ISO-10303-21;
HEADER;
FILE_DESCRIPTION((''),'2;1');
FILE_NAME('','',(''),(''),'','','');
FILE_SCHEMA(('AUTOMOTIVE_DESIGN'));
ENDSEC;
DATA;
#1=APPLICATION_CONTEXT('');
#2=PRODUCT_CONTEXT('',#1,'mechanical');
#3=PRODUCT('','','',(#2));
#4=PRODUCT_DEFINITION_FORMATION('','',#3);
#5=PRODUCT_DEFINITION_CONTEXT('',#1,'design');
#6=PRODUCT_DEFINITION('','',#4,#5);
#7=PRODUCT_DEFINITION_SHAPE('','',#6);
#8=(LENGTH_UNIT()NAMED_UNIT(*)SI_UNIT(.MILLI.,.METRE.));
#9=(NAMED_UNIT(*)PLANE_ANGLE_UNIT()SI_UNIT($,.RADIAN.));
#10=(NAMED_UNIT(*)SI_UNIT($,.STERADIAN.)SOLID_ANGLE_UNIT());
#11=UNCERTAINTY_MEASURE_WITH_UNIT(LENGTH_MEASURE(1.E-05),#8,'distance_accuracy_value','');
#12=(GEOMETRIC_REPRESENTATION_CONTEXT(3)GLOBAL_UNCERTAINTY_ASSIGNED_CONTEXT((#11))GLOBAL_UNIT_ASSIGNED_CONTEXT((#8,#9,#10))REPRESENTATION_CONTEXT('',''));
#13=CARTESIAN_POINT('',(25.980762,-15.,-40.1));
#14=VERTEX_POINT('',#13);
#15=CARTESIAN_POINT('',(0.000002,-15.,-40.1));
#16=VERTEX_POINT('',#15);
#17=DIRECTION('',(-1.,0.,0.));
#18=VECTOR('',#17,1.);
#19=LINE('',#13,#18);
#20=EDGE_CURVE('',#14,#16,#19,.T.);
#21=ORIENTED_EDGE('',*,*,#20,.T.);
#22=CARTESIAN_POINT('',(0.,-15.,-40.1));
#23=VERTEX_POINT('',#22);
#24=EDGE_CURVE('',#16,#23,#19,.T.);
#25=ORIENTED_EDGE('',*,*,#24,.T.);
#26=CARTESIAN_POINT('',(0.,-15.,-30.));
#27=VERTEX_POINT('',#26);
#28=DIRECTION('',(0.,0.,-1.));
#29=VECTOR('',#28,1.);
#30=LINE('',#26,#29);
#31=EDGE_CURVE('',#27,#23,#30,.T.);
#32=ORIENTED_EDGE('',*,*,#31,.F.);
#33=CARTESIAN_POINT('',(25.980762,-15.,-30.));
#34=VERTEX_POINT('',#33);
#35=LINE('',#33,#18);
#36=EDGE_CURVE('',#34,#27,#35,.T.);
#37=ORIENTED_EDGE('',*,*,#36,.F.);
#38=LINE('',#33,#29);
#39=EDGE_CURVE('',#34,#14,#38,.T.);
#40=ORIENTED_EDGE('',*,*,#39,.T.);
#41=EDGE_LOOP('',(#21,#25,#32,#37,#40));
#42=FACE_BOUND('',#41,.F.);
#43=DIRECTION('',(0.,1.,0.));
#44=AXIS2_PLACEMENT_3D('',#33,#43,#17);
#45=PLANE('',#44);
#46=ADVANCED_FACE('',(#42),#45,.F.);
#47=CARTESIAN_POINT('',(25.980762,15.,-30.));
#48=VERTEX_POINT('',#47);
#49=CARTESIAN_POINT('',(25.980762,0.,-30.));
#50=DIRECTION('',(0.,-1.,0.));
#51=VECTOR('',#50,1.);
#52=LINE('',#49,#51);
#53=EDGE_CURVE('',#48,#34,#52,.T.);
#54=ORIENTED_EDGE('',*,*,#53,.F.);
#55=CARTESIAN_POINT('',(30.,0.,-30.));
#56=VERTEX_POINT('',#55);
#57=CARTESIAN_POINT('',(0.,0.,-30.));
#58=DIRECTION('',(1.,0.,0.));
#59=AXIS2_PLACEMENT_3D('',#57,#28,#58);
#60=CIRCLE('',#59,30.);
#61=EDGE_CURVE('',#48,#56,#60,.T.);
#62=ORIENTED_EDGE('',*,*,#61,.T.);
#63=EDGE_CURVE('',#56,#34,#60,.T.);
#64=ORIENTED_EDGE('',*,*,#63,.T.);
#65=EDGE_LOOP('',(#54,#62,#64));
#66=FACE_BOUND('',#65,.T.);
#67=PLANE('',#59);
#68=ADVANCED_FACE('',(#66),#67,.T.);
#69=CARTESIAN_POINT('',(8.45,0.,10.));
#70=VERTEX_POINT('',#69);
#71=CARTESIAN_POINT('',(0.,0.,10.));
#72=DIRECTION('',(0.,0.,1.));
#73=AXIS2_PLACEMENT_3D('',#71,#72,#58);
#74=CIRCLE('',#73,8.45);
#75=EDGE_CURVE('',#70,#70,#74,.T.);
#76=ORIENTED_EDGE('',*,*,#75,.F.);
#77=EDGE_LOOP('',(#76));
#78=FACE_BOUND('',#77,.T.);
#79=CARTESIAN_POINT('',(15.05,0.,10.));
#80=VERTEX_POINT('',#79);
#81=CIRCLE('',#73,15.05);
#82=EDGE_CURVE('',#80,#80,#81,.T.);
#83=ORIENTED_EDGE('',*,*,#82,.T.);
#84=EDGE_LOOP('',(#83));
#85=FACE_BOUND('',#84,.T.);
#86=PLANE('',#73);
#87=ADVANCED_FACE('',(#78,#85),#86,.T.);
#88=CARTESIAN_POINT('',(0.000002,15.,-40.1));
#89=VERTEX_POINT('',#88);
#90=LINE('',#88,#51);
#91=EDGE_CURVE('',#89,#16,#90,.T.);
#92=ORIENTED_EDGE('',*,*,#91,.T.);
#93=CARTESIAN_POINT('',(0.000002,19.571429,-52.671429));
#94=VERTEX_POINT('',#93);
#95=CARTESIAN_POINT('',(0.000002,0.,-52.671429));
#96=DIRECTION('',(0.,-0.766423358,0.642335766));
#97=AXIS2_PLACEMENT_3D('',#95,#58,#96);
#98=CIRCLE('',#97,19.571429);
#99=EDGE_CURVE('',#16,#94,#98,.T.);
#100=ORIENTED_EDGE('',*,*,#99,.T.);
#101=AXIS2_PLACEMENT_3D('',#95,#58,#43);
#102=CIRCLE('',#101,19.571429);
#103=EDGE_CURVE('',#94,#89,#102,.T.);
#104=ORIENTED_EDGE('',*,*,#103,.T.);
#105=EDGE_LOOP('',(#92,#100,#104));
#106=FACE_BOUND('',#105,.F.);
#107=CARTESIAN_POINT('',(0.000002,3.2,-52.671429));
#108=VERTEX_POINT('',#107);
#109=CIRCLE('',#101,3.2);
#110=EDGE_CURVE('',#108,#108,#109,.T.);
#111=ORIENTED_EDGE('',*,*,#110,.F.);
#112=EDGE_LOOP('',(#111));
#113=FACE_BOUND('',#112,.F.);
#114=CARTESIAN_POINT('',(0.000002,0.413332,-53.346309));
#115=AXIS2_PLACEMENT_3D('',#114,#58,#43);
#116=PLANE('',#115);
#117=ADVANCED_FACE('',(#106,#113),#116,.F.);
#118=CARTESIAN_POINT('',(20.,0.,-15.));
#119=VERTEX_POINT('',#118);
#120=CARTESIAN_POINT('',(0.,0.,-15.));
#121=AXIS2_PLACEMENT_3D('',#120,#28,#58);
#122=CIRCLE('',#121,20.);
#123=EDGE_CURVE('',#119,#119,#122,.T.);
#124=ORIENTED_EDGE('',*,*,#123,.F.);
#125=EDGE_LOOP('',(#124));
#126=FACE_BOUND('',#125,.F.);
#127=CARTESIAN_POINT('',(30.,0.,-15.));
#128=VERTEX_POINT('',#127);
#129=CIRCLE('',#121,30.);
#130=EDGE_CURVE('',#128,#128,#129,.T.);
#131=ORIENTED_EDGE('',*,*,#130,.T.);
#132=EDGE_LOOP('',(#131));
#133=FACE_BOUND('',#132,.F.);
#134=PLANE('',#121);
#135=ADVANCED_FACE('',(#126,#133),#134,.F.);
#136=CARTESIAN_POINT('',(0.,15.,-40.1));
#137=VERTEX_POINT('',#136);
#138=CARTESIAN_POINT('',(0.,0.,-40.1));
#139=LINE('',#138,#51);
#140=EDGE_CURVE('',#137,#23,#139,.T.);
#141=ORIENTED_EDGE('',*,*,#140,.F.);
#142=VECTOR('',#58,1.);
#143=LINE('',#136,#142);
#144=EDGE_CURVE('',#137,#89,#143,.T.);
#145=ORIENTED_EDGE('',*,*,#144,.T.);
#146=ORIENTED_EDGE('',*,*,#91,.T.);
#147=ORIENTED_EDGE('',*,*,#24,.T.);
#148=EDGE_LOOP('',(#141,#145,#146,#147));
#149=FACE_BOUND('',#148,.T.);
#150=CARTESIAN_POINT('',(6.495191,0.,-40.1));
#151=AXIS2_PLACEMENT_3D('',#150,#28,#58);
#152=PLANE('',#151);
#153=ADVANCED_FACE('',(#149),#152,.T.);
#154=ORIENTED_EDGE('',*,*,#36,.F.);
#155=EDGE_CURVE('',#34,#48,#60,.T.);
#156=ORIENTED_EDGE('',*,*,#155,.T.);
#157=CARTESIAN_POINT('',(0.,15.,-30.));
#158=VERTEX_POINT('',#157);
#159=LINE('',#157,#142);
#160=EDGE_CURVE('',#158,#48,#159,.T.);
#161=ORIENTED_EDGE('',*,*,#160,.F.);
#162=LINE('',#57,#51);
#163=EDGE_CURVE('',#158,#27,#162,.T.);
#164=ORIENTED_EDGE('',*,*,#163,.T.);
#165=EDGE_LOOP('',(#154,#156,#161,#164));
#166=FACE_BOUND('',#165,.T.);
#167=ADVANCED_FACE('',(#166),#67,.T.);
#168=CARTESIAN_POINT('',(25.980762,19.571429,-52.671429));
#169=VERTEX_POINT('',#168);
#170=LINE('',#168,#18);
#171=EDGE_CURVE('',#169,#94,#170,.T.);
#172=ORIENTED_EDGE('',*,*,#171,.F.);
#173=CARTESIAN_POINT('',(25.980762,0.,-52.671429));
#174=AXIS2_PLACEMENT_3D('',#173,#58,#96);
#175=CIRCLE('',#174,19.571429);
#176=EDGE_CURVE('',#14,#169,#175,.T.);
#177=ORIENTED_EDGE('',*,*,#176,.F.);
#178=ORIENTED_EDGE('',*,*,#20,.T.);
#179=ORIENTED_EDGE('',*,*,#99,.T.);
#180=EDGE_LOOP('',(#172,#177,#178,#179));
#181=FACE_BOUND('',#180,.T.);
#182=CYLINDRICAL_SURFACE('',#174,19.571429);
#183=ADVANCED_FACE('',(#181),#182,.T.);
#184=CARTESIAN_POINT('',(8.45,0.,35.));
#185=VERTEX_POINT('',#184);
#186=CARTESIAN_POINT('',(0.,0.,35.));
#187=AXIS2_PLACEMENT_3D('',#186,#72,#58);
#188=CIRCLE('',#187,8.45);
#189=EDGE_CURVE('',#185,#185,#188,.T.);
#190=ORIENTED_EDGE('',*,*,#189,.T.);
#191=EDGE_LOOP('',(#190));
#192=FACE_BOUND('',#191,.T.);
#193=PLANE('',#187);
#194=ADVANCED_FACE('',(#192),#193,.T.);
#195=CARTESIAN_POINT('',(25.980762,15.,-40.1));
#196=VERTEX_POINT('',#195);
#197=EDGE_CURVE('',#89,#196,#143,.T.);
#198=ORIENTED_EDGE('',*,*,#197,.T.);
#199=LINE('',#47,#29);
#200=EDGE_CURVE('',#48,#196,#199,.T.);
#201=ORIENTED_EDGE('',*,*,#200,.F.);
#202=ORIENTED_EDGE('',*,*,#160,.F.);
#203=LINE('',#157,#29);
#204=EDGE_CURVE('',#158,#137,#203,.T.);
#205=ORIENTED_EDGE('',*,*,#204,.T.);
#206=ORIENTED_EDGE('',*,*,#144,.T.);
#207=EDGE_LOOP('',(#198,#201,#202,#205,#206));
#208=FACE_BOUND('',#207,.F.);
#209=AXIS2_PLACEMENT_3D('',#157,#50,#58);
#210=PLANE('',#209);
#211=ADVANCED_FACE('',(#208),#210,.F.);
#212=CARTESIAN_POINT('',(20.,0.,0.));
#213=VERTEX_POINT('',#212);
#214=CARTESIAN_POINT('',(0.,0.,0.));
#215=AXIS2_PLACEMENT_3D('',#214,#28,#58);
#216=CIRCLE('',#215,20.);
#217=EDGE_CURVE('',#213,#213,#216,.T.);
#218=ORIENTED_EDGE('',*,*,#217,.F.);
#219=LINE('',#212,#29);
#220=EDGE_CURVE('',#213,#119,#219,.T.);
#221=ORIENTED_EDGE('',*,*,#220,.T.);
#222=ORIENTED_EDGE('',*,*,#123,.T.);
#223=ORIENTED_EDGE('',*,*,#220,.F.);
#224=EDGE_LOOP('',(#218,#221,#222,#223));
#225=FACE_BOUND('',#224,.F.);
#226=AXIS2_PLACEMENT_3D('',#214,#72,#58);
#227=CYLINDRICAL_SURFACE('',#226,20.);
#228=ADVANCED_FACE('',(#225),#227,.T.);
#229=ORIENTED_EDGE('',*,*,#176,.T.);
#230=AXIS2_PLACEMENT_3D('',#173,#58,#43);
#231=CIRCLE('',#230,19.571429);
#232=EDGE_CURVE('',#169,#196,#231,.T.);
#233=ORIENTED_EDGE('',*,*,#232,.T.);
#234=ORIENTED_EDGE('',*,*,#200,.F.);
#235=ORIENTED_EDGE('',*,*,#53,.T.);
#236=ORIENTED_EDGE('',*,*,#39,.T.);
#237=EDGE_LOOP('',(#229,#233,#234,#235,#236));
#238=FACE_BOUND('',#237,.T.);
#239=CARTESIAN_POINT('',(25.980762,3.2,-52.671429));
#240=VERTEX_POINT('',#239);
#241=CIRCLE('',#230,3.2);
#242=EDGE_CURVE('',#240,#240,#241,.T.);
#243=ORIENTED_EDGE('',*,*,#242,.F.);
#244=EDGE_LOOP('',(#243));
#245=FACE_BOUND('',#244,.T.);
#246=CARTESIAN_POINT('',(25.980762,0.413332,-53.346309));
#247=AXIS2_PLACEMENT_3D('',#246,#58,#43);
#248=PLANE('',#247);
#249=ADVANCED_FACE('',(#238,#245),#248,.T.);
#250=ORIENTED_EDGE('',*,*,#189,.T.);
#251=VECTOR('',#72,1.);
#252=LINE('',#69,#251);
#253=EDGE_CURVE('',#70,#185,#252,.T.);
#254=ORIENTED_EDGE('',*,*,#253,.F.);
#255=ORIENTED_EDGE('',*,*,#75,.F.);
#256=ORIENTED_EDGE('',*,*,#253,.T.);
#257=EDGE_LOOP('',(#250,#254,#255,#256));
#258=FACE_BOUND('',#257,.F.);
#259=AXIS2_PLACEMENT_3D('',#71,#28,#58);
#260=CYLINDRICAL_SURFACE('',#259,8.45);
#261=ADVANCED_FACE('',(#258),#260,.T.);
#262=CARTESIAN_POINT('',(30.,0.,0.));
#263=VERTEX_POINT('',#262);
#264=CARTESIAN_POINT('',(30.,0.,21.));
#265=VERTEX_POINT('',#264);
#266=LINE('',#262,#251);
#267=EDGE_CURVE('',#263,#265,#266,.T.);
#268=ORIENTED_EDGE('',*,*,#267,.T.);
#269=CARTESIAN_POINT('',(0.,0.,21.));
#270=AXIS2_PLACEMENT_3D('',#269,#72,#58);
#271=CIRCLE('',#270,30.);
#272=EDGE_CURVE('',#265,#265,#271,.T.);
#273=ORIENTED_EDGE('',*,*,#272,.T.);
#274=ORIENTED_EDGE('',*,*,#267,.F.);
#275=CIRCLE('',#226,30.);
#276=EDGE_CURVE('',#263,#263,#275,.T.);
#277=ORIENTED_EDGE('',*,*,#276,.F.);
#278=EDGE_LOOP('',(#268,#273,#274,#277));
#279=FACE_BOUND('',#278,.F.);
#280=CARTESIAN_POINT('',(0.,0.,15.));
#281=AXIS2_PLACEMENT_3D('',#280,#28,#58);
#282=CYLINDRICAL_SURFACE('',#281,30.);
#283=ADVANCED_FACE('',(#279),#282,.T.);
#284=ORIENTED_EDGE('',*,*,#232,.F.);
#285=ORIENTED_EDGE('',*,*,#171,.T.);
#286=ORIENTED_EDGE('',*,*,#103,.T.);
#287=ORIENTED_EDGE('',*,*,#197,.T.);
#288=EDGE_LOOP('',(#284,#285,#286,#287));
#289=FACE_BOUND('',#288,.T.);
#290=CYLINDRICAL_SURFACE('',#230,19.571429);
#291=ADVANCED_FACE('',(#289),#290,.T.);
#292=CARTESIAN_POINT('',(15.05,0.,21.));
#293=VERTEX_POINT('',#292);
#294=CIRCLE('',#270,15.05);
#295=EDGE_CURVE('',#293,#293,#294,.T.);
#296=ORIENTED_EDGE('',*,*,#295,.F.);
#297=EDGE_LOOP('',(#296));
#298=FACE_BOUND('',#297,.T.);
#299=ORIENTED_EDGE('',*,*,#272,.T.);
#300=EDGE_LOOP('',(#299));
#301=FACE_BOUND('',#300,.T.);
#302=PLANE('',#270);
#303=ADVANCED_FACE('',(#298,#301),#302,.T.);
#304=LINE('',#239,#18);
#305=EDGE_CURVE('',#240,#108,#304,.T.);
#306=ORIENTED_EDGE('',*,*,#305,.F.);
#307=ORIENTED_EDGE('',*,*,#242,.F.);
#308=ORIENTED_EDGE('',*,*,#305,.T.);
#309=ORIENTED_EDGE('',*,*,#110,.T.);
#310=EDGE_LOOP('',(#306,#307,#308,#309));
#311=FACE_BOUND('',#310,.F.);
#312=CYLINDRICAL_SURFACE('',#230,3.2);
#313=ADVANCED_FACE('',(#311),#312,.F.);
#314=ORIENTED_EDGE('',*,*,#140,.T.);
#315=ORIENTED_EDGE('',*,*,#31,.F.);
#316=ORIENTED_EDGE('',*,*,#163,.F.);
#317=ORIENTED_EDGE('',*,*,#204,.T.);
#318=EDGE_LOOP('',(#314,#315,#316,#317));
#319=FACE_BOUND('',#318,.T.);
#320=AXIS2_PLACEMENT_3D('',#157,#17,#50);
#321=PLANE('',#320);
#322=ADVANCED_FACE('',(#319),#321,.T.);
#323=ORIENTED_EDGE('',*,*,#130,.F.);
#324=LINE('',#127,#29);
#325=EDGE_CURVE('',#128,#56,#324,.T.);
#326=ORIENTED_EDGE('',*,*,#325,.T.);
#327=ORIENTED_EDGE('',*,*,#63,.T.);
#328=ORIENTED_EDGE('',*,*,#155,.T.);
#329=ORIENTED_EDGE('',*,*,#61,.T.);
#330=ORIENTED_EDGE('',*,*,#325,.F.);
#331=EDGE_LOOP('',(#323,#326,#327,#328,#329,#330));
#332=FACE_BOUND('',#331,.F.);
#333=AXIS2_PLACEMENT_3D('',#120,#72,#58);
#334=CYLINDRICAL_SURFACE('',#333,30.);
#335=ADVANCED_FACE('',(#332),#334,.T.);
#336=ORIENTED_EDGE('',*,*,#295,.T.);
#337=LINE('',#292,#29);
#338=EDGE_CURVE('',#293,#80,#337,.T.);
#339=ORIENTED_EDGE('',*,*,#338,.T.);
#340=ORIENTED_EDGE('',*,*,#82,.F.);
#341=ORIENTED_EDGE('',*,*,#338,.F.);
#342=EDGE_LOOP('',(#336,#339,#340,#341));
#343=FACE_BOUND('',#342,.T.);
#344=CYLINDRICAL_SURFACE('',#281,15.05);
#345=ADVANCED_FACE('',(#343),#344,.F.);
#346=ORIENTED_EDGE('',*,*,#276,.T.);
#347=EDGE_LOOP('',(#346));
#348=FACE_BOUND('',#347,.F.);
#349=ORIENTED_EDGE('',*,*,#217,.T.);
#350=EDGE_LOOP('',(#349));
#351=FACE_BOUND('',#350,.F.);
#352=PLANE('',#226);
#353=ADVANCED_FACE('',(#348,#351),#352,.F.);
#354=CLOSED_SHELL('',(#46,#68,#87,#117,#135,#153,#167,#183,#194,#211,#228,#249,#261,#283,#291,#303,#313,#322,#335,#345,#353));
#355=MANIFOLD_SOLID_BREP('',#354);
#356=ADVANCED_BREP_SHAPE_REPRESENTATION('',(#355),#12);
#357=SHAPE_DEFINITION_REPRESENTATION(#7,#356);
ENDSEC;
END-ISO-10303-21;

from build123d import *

# Parameters (mm, degrees)
F0_R      = 30
F1_DEPTH  = 15
F2_R      = 15.05
F3_DEPTH  = 5
F4_DEPTH  = 6
F5_R      = 20
F6_DEPTH  = 15
F7_R      = 30
F7_R_2    = 20
F8_DEPTH  = 15
F9_W      = 12.9903810568
F9_H      = 30
F10_DEPTH = 10.1
F11_R     = 3.2
F12_DEPTH = 25.98076
F13_R     = 8.45
F14_DEPTH = 25


with BuildPart() as f1:
    # F0 (on Top) → F1 (new body)
    with BuildSketch(Plane.XY):
        Circle(F0_R)
    extrude(amount=F1_DEPTH)

    # F2 (on face) → F3 (cut)
    with BuildSketch(Plane.XY.offset(15)):
        Circle(F2_R)
    extrude(amount=-F3_DEPTH, mode=Mode.SUBTRACT)

    # F4 (add): a face of the model
    f4_faces = [f1.faces().sort_by_distance(p)[0] for p in [
        (-29.1514718626, 0, 15),
    ]]
    extrude(f4_faces, amount=F4_DEPTH)

    # F5 (on face) → F6 (join)
    with BuildSketch(Plane(origin=(0, 0, 0), x_dir=(1, 0, 0), z_dir=(0, 0, -1))):
        Circle(F5_R)
    extrude(amount=F6_DEPTH)

    # F7 (on face) → F8 (join)
    with BuildSketch(Plane(origin=(0, 0, -15), x_dir=(1, 0, 0), z_dir=(0, 0, -1))):
        Circle(F7_R)
        Circle(F7_R_2, mode=Mode.SUBTRACT)
        Circle(F7_R_2)
    extrude(amount=F8_DEPTH)

    # F9 (on face) → F10 (join)
    with BuildSketch(Plane(origin=(0, 0, -30), x_dir=(1, 0, 0), z_dir=(0, 0, -1))):
        with Locations((6.4951905284, 0)):
            Rectangle(F9_W, F9_H)
        with Locations((19.4855715851, 0)):
            Rectangle(F9_W, F9_H)
    extrude(amount=F10_DEPTH)

    # F11 (on face) → F12 (join)
    with BuildSketch(Plane.YZ.offset(25.9807621135)):
        with BuildLine():
            Line((15, -40.1), (0, -40.1))
            Line((0, -40.1), (-15, -40.1))
            ThreePointArc((-15, -40.1), (-6.688399949, -71.0645284311), (19.5714285714, -52.6714285714))
            ThreePointArc((19.5714285714, -52.6714285714), (18.3930998597, -45.9830286224), (15, -40.1))
        make_face()
        with Locations((0, -52.6714285714)):
            Circle(F11_R, mode=Mode.SUBTRACT)
    extrude(amount=-F12_DEPTH)

    # F13 (on face) → F14 (join)
    with BuildSketch(Plane.XY.offset(10)):
        Circle(F13_R)
    extrude(amount=F14_DEPTH)


solid = f1.part
